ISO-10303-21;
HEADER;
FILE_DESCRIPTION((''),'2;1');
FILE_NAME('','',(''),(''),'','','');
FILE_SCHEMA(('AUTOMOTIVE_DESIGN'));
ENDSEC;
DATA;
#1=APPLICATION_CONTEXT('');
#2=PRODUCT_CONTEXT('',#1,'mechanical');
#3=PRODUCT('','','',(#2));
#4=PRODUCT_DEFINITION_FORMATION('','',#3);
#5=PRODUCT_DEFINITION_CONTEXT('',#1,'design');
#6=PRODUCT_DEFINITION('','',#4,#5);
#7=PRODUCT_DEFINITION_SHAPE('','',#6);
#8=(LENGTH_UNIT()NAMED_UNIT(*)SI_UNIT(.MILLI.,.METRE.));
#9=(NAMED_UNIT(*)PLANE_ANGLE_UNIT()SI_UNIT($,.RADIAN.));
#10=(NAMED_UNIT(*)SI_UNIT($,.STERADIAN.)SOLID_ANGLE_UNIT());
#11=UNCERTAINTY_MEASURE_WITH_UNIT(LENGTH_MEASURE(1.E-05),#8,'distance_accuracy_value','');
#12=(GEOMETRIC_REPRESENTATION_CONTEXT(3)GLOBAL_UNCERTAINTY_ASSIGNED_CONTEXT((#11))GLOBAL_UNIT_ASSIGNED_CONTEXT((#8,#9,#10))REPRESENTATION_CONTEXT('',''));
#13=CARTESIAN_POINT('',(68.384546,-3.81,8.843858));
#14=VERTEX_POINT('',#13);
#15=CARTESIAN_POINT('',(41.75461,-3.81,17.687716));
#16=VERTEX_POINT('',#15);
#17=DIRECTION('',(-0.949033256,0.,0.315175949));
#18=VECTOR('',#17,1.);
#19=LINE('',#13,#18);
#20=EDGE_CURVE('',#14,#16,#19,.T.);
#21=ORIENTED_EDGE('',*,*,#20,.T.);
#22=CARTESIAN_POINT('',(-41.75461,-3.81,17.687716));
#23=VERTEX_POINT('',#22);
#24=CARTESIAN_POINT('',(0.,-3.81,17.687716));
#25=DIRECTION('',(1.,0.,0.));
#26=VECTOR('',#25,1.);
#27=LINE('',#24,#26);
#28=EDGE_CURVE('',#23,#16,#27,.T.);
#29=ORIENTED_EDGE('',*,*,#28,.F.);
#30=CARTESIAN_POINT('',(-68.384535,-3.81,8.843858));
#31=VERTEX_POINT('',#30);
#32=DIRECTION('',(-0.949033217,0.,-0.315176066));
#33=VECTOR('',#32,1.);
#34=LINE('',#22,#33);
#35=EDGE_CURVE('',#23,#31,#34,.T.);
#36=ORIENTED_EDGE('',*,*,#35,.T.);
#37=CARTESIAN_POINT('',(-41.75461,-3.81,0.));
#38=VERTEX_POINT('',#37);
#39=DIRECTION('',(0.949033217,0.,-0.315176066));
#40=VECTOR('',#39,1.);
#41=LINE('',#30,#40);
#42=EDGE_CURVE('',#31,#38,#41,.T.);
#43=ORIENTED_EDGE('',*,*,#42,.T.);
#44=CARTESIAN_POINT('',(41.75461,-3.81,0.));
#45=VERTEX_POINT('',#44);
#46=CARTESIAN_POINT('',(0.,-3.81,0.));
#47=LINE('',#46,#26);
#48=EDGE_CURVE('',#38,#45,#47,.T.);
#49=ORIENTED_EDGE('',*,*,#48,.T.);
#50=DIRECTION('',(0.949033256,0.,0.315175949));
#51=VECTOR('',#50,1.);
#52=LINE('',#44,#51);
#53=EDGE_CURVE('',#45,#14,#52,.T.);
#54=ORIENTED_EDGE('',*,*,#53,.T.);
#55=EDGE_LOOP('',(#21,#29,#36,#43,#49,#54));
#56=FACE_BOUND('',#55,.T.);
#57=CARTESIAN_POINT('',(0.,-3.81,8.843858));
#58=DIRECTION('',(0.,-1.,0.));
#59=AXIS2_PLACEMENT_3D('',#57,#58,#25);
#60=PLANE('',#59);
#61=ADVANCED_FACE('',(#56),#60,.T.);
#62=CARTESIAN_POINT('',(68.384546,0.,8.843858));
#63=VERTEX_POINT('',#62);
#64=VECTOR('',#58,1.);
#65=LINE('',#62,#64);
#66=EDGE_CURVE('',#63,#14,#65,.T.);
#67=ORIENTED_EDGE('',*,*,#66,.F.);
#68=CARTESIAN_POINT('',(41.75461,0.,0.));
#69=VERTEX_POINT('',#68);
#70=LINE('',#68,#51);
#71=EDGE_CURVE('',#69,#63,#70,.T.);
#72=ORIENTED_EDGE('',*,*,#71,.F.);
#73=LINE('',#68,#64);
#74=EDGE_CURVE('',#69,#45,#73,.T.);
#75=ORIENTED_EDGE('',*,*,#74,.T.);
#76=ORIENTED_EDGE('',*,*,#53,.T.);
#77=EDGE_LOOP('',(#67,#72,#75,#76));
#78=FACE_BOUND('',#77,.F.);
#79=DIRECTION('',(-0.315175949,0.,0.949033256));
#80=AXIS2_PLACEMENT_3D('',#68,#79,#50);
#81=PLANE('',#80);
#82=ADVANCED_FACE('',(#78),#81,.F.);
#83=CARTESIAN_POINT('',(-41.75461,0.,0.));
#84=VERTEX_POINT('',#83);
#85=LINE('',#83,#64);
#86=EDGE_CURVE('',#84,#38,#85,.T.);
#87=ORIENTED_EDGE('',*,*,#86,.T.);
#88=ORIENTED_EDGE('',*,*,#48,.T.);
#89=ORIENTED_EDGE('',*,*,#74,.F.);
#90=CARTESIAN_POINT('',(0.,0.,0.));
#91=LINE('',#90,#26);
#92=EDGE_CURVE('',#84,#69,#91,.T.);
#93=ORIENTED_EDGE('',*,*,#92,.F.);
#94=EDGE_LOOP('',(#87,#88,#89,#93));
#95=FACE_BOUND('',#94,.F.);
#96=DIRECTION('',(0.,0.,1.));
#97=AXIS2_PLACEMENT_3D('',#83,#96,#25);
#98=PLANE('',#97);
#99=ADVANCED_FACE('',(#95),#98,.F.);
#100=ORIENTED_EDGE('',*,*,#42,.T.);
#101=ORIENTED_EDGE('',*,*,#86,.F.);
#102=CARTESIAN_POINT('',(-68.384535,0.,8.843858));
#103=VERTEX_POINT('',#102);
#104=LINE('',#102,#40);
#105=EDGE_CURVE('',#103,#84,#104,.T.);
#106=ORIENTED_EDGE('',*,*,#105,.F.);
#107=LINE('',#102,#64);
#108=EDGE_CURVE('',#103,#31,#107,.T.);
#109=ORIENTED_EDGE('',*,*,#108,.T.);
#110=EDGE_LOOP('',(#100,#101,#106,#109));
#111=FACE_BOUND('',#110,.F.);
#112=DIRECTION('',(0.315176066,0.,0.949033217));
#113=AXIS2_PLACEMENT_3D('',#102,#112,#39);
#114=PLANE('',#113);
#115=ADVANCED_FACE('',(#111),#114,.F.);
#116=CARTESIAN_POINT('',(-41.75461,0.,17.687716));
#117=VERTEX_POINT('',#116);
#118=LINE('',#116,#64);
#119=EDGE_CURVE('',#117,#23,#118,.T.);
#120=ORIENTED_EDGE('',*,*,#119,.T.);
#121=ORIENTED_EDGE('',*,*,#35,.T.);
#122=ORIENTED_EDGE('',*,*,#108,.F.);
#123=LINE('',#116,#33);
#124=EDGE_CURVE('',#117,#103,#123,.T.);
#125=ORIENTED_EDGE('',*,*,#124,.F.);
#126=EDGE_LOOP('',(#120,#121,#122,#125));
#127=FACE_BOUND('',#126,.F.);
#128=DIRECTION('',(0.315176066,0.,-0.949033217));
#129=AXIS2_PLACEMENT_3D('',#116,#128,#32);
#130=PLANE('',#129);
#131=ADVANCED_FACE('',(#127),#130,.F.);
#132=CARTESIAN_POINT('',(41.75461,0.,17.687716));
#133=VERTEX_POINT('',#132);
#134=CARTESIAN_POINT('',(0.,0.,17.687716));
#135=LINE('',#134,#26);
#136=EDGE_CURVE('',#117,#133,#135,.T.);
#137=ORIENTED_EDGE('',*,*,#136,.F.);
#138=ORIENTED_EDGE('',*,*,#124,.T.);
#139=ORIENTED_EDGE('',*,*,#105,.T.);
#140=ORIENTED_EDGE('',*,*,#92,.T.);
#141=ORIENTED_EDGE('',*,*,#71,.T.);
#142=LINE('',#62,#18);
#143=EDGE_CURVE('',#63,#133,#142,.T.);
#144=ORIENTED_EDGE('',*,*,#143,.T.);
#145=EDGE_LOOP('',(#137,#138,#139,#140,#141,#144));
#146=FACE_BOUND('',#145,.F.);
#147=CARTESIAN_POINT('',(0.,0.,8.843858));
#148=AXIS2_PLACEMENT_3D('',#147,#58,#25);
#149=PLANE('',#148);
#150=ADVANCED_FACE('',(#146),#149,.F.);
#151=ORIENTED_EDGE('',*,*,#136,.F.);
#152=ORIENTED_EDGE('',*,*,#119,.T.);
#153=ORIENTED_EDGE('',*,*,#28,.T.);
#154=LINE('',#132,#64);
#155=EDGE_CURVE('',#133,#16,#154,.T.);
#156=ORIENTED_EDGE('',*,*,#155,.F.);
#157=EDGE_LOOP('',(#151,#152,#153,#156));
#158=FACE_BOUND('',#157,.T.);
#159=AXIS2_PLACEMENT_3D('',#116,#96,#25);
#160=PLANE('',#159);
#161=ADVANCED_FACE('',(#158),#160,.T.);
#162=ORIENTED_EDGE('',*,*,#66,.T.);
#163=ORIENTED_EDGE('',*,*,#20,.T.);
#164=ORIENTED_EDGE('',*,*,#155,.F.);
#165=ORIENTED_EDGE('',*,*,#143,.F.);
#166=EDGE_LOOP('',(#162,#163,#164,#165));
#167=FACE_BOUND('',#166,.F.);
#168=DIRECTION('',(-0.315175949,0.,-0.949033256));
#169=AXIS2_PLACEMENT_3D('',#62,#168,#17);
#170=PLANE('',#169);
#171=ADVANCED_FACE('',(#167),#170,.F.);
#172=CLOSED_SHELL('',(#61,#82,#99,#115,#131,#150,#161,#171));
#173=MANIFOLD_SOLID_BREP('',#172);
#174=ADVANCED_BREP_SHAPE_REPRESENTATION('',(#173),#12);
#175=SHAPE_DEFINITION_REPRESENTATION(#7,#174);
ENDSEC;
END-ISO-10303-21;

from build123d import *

# Parameters (mm, degrees)
F0_W     = 83.50922
F0_H     = 17.687716
F1_DEPTH = 3.81


with BuildPart() as f1:
    # F0 (on Front) → F1 (new body)
    with BuildSketch(Plane.XZ):
        with Locations((0, 8.843858)):
            Rectangle(F0_W, F0_H)
        Polygon((41.75461, 17.687716), (41.75461, 0), (68.384546, 8.843858), align=None)
        Polygon((-68.384535, 8.843858), (-41.75461, 0), (-41.75461, 17.687716), align=None)
    extrude(amount=F1_DEPTH)


solid = f1.part
